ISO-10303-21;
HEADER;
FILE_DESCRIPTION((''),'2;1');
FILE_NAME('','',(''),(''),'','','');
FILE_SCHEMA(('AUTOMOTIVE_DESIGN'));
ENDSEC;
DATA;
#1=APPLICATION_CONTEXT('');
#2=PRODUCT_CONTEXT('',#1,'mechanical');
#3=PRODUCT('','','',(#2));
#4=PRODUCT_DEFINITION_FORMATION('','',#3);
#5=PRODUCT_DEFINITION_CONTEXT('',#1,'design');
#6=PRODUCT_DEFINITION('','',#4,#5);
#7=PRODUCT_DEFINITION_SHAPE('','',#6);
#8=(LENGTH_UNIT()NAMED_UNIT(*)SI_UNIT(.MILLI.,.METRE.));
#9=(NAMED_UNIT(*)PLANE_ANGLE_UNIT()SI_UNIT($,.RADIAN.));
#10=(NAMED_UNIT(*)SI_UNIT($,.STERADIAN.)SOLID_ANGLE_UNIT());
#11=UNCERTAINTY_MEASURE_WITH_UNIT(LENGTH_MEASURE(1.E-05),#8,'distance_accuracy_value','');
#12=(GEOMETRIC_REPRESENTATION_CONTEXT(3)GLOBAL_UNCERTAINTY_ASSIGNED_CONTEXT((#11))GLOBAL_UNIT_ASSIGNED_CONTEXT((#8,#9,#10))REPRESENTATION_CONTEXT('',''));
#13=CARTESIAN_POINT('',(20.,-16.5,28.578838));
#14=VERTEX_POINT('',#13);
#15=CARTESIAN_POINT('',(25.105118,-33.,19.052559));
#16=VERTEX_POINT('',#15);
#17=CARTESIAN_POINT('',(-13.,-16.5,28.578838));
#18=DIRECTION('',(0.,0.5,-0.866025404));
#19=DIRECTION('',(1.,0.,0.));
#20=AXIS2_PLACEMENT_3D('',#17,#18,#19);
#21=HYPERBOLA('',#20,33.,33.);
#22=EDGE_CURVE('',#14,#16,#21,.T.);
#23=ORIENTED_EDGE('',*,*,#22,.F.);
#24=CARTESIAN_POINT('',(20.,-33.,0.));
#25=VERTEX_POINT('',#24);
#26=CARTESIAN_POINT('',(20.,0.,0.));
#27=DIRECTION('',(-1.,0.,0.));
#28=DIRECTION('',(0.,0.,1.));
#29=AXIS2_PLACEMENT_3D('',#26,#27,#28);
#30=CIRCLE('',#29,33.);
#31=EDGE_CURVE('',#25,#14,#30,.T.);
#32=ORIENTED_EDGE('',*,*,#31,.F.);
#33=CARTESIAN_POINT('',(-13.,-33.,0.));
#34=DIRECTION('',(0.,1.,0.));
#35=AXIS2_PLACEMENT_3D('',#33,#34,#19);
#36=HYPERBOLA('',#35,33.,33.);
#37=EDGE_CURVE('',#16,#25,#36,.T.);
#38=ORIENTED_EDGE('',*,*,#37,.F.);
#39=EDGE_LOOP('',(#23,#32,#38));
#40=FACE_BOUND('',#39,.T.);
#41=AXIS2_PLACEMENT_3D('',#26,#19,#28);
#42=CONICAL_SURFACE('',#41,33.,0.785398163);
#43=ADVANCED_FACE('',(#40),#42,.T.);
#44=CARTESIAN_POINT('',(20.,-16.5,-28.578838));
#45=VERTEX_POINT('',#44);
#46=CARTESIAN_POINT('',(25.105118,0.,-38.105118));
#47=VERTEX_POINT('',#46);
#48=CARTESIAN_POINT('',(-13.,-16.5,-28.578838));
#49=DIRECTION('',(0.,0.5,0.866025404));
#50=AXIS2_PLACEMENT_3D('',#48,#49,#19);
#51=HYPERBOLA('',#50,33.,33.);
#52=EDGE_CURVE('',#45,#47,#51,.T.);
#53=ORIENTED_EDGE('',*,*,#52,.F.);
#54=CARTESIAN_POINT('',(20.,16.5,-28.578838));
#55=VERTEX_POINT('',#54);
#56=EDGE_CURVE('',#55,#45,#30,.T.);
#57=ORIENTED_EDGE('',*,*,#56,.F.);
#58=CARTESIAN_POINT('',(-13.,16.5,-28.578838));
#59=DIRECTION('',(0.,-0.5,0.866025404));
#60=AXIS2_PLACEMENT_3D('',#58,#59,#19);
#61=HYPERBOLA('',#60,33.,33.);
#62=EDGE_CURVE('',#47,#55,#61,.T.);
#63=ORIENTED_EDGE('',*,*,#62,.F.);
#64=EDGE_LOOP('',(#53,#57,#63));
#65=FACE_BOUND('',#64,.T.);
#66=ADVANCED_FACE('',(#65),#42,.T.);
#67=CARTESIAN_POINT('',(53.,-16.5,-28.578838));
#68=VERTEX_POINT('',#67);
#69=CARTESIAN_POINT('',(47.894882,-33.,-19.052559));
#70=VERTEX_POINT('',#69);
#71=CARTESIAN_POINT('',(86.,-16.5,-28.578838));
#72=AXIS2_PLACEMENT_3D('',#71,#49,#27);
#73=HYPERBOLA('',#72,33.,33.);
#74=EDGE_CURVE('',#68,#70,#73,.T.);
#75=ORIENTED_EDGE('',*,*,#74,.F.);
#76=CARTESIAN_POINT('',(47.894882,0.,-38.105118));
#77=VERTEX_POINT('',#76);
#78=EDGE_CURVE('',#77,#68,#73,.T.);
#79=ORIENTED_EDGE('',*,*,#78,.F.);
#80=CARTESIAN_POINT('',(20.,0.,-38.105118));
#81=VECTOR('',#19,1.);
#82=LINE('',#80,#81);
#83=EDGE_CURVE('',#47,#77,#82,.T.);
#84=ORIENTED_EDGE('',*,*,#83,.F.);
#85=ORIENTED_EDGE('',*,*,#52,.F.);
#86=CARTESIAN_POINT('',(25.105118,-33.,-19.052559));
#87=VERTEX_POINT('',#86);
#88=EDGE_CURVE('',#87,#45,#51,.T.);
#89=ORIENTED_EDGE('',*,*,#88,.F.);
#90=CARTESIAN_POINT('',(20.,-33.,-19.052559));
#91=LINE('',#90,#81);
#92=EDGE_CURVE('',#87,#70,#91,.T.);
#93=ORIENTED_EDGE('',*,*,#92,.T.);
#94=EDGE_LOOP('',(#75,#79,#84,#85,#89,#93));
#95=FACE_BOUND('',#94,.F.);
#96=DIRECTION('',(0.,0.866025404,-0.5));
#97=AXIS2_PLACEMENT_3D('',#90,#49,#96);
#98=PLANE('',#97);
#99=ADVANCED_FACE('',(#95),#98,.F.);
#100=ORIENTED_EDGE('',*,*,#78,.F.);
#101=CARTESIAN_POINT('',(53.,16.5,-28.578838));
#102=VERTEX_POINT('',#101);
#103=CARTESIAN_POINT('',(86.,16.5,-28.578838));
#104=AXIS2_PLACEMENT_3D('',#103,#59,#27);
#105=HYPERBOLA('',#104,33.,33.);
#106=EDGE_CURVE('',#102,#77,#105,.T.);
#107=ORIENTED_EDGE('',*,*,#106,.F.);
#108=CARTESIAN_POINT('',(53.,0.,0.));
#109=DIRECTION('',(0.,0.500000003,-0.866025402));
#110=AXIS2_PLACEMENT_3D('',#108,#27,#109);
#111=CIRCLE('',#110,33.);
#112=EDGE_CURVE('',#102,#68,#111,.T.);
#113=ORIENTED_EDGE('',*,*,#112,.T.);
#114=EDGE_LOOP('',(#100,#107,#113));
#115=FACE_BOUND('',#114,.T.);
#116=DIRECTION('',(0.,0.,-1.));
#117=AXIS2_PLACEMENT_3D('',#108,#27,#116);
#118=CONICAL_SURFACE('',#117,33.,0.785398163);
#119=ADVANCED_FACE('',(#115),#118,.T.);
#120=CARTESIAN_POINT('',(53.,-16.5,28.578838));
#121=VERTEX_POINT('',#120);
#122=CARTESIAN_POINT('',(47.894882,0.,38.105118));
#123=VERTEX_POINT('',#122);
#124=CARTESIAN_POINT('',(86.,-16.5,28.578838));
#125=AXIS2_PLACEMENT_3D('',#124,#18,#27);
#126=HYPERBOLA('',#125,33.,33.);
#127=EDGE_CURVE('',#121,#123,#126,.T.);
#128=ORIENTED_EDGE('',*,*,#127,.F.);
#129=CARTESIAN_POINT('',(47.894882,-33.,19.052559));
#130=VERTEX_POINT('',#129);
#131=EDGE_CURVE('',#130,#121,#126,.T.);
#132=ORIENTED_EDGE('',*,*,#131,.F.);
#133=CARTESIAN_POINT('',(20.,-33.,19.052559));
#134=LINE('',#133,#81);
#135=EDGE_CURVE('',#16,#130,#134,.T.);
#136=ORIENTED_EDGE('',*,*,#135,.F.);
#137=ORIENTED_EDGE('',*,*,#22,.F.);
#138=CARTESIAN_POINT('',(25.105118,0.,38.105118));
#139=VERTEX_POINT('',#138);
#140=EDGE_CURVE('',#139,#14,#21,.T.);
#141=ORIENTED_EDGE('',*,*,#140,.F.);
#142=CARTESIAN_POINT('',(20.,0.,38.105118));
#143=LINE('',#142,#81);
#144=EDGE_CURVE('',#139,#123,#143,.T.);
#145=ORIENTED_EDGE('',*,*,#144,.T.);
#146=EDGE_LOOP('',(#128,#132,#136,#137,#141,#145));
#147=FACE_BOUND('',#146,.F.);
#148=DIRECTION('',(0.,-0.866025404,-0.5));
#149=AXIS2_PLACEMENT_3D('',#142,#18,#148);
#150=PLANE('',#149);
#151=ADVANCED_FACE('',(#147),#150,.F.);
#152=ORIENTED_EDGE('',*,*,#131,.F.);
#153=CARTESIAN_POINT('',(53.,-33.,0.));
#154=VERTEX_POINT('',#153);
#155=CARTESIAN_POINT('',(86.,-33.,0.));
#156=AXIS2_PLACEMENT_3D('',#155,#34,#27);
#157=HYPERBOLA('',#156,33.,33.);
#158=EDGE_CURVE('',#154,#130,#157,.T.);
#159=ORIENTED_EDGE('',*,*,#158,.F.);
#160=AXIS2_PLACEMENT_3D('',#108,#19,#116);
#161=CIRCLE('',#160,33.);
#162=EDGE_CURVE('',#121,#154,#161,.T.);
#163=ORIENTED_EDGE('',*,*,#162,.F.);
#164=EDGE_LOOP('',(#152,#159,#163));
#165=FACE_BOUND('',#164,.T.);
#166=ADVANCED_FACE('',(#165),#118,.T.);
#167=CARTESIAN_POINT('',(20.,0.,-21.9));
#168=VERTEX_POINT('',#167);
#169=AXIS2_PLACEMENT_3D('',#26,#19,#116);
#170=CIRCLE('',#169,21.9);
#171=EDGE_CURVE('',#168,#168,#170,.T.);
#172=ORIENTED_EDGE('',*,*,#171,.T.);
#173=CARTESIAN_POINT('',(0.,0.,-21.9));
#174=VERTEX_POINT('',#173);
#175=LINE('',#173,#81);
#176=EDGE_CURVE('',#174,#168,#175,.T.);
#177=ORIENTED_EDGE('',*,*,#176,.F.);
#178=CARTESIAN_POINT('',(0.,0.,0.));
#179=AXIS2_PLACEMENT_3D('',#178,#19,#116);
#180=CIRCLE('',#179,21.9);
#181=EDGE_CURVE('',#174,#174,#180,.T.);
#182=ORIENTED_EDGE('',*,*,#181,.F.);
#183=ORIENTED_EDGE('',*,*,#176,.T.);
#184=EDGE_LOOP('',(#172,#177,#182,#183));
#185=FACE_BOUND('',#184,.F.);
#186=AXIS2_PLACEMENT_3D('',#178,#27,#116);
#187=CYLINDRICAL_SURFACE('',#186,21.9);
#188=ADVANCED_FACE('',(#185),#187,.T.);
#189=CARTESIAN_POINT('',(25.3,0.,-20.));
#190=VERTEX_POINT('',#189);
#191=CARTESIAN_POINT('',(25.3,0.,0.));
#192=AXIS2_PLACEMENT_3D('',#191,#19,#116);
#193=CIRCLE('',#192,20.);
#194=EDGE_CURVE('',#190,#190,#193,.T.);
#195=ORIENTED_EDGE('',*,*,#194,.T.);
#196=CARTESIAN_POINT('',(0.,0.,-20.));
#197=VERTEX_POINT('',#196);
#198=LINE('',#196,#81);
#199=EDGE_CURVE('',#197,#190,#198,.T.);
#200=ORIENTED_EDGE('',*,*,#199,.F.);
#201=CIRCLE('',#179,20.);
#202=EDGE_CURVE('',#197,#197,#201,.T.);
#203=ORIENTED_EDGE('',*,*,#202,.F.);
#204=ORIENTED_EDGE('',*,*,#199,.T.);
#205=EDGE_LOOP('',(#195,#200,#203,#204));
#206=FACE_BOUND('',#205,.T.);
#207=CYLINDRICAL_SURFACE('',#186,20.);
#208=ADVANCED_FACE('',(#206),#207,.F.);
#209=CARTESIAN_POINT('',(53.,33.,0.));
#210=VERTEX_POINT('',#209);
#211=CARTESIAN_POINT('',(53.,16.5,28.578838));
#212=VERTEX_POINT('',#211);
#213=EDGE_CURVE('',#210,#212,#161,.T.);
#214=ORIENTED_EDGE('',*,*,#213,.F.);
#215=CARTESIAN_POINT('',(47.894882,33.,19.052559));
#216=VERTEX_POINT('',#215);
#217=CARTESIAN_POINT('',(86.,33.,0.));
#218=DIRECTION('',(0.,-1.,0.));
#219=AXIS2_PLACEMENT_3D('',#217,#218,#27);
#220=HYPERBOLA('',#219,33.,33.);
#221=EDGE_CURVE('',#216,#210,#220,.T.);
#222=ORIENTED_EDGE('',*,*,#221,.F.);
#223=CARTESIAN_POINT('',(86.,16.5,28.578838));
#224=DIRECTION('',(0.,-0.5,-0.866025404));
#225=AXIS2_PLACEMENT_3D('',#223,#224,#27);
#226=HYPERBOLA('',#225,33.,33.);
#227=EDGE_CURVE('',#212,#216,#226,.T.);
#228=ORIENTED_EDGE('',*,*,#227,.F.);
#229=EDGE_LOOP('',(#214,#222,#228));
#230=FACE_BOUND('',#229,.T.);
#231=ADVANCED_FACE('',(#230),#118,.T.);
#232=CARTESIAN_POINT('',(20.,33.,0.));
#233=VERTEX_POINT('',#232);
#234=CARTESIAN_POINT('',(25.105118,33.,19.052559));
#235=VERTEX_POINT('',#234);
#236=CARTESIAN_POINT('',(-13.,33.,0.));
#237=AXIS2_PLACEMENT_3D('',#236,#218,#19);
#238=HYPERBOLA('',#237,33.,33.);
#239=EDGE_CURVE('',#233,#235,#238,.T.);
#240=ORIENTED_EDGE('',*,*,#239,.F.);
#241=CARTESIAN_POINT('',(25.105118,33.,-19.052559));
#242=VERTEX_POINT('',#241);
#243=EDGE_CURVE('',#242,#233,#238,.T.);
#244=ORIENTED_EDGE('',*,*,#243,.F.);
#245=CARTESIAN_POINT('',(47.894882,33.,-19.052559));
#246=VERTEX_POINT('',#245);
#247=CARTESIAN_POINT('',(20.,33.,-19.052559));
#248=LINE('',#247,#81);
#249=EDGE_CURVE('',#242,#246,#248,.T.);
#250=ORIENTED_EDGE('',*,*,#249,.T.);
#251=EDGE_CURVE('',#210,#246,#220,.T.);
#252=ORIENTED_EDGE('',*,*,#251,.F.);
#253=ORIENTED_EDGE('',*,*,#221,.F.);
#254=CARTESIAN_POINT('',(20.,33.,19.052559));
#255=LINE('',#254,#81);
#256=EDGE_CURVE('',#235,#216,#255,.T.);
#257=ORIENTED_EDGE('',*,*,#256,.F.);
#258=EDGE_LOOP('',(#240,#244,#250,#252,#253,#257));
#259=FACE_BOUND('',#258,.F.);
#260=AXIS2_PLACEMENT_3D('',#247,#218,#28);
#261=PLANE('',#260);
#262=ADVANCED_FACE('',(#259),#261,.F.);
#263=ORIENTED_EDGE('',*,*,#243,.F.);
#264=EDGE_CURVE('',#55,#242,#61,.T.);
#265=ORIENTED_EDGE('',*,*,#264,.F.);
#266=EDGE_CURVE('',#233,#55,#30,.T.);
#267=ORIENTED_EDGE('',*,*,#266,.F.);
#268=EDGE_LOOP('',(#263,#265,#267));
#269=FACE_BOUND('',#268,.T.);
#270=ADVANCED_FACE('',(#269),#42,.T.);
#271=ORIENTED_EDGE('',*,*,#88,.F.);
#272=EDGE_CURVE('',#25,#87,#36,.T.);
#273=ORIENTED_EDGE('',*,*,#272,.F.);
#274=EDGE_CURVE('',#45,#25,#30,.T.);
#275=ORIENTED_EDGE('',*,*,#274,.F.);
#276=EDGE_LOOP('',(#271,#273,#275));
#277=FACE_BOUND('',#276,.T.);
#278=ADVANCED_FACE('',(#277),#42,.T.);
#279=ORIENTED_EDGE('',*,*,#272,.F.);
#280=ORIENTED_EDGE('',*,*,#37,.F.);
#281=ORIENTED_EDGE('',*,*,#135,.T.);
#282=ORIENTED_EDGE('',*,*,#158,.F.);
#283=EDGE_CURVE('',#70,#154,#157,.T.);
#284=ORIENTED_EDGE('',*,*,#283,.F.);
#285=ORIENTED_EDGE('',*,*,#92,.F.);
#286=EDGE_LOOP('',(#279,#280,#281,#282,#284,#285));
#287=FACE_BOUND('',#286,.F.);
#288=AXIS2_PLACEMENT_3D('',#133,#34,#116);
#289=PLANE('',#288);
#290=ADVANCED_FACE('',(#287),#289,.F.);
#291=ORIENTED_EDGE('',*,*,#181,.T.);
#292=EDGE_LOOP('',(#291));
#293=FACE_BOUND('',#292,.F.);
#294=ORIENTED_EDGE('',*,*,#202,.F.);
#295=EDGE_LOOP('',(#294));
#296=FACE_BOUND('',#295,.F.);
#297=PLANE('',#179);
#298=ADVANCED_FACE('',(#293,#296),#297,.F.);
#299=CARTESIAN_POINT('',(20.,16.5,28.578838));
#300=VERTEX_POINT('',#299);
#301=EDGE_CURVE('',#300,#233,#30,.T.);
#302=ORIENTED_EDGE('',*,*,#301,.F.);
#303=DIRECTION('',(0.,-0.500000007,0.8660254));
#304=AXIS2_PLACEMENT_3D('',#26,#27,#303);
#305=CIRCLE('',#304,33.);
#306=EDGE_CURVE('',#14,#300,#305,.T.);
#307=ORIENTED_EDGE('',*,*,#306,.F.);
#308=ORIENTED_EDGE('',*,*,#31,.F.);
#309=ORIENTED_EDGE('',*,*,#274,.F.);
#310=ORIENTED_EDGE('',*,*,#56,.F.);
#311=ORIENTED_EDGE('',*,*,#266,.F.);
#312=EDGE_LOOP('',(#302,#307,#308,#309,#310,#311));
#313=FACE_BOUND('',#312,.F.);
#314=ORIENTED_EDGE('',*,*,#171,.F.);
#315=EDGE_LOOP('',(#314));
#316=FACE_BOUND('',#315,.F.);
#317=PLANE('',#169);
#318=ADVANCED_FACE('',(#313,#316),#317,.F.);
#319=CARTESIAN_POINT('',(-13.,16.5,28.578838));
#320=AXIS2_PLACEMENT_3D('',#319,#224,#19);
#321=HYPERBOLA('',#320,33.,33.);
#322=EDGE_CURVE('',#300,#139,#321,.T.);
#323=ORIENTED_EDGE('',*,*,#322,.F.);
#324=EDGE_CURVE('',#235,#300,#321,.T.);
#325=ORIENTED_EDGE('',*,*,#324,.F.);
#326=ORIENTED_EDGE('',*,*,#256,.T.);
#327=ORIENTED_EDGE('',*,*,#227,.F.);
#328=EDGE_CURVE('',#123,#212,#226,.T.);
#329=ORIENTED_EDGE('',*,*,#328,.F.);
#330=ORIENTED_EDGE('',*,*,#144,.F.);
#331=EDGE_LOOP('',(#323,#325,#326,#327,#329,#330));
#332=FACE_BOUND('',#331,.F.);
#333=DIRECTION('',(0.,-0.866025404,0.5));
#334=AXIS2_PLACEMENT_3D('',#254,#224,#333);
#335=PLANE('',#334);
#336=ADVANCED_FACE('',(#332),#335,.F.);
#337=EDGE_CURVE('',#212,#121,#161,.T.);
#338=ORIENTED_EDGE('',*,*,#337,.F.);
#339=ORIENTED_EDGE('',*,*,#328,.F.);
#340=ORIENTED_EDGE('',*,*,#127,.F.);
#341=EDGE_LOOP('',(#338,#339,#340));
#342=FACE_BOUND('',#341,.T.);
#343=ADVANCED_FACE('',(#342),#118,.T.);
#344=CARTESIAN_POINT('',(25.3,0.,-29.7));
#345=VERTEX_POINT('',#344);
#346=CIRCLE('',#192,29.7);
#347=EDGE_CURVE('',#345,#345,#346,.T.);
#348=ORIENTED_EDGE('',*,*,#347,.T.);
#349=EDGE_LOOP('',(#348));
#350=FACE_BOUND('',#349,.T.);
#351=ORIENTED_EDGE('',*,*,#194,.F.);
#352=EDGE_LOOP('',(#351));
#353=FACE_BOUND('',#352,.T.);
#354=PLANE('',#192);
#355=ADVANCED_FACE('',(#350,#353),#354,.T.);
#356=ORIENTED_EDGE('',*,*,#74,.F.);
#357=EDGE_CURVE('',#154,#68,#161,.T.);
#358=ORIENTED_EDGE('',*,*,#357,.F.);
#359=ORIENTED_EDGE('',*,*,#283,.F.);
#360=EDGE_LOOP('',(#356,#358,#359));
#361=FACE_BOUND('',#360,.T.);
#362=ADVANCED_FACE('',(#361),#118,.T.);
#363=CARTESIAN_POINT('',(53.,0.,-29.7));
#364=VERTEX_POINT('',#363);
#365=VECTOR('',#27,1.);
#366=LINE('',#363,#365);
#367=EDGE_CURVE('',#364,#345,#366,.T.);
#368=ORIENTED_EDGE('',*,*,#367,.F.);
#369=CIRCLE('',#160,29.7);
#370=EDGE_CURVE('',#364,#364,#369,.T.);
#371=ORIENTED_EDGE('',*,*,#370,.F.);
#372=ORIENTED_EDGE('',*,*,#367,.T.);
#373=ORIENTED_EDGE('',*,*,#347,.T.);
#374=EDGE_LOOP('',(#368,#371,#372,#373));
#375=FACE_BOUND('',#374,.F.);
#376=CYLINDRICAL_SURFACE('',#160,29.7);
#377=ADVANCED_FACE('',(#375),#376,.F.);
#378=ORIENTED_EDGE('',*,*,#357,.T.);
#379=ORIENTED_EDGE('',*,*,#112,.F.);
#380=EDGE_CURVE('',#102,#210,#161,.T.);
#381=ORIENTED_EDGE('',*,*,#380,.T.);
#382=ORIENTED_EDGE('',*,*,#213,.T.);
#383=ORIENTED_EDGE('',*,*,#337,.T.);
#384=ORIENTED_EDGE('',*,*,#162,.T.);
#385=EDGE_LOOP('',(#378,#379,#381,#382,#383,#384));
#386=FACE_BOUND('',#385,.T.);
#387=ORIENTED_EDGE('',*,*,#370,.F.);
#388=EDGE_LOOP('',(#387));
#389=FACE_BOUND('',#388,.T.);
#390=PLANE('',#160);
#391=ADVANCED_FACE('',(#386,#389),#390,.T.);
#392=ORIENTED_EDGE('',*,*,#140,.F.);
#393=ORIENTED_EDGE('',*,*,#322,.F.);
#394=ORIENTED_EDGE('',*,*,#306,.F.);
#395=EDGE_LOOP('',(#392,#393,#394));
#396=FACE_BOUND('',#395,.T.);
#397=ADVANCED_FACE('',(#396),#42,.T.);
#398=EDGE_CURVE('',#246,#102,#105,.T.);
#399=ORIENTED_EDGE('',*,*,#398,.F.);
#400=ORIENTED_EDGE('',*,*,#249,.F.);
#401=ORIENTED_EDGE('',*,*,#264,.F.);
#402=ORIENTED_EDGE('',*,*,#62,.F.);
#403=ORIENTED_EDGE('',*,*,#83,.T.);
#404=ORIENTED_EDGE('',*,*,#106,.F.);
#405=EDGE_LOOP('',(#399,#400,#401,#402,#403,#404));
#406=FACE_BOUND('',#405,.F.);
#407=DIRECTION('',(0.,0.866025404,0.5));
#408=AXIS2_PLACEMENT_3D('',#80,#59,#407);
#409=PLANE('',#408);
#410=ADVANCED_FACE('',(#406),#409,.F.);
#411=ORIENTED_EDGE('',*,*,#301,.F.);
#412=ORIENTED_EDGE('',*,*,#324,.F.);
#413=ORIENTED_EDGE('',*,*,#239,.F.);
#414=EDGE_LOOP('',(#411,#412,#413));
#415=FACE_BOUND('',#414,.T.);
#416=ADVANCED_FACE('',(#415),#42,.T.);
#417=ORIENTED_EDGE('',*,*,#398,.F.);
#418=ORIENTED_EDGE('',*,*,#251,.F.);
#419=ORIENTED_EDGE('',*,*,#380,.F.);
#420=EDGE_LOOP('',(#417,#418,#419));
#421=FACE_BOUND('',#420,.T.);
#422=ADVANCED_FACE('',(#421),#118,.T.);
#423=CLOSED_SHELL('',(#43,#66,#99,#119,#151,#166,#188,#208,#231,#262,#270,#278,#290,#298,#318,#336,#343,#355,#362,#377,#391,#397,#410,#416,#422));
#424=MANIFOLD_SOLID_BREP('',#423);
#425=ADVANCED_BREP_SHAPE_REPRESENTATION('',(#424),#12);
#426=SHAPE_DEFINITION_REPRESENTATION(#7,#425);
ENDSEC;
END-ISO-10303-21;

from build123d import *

# Parameters (mm, degrees)
SKETCH_1_R          = 21.9
SKETCH_1_R_2        = 20
EXTRUDE_1_DEPTH     = 20
EXTRUDE_2_DEPTH     = 33
SKETCH_8_OUTSIDE_W  = 120.99
SKETCH_8_OUTSIDE_H  = 110.78
SKETCH_8_OUTSIDE_R  = 33
CUT_EXTRUDE_4_DEPTH = 10
CUT_EXTRUDE_4_DRAFT = -45
SKETCH_9_OUTSIDE_W  = 120.99
SKETCH_9_OUTSIDE_H  = 110.78
SKETCH_9_OUTSIDE_R  = 33
CUT_EXTRUDE_5_DEPTH = 10
CUT_EXTRUDE_5_DRAFT = -45
SKETCH_10_R         = 29.7
CUT_EXTRUDE_6_DEPTH = 27.7
SKETCH_11_R         = 20
CUT_EXTRUDE_7_DEPTH = 58.517736395


with BuildPart() as part:
    # Эскиз1 → Вытянуть-Тонкостенный1 (new body)
    with BuildSketch(Plane(origin=(0, 0, 0), x_dir=(0, 0, -1), z_dir=(1, 0, 0))):
        Circle(SKETCH_1_R)
        Circle(SKETCH_1_R_2, mode=Mode.SUBTRACT)
    extrude(amount=EXTRUDE_1_DEPTH)

    # Эскиз2 → Бобышка-Вытянуть2 (add)
    with BuildSketch(Plane(origin=(20, 0, 0), x_dir=(0, 0, -1), z_dir=(1, 0, 0))):
        Polygon((38.105117767, 0), (19.052558883, 33), (-19.052558883, 33), (-38.105117767, 0), (-19.052558883, -33), (19.052558883, -33), align=None)
    extrude(amount=EXTRUDE_2_DEPTH)


with BuildPart() as cut_extrude_4_tool:
    # Эскиз8 outside → Вырез-Вытянуть4 (with draft: the straight prism first)
    with BuildSketch(Plane.ZY.offset(-20)):
        Rectangle(SKETCH_8_OUTSIDE_W, SKETCH_8_OUTSIDE_H)
        Circle(SKETCH_8_OUTSIDE_R, mode=Mode.SUBTRACT)
    extrude(amount=-CUT_EXTRUDE_4_DEPTH)
    # Вырез-Вытянуть4: the draft: its side faces are tilted about the plane it starts from
    cut_extrude_4_sides = [cut_extrude_4_tool.faces().sort_by_distance(p)[0] for p in [
        (25, -55.39, 0),
        (25, 0, 60.495),
        (25, 55.39, 0),
        (25, 0, -60.495),
        (25, 0, -33),
    ]]
    draft(cut_extrude_4_sides, Plane.ZY.offset(-20), CUT_EXTRUDE_4_DRAFT)


with BuildPart() as part_1:
    add(part.part)

    # Вырез-Вытянуть4: cut by cut_extrude_4_tool
    add(cut_extrude_4_tool.part, mode=Mode.SUBTRACT)


with BuildPart() as cut_extrude_5_tool:
    # Эскиз9 outside → Вырез-Вытянуть5 (with draft: the straight prism first)
    with BuildSketch(Plane(origin=(53, 0, 0), x_dir=(0, 0, -1), z_dir=(1, 0, 0))):
        Rectangle(SKETCH_9_OUTSIDE_W, SKETCH_9_OUTSIDE_H)
        Circle(SKETCH_9_OUTSIDE_R, mode=Mode.SUBTRACT)
    extrude(amount=-CUT_EXTRUDE_5_DEPTH)
    # Вырез-Вытянуть5: the draft: its side faces are tilted about the plane it starts from
    cut_extrude_5_sides = [cut_extrude_5_tool.faces().sort_by_distance(p)[0] for p in [
        (48, -55.39, 0),
        (48, 0, -60.495),
        (48, 55.39, 0),
        (48, 0, 60.495),
        (48, 0, 33),
    ]]
    draft(cut_extrude_5_sides, Plane(origin=(53, 0, 0), x_dir=(0, 0, -1), z_dir=(1, 0, 0)), CUT_EXTRUDE_5_DRAFT)


with BuildPart() as part_2:
    add(part_1.part)

    # Вырез-Вытянуть5: cut by cut_extrude_5_tool
    add(cut_extrude_5_tool.part, mode=Mode.SUBTRACT)

    # Эскиз10 → Вырез-Вытянуть6 (cut)
    with BuildSketch(Plane(origin=(53, 0, 0), x_dir=(0, 0, -1), z_dir=(1, 0, 0))):
        Circle(SKETCH_10_R)
    extrude(amount=-CUT_EXTRUDE_6_DEPTH, mode=Mode.SUBTRACT)

    # Эскиз11 → Вырез-Вытянуть7 (cut, through all)
    with BuildSketch(Plane(origin=(25.3, 0, 0), x_dir=(0, 0, -1), z_dir=(1, 0, 0))):
        Circle(SKETCH_11_R)
    extrude(amount=-CUT_EXTRUDE_7_DEPTH, mode=Mode.SUBTRACT)


solid = part_2.part
